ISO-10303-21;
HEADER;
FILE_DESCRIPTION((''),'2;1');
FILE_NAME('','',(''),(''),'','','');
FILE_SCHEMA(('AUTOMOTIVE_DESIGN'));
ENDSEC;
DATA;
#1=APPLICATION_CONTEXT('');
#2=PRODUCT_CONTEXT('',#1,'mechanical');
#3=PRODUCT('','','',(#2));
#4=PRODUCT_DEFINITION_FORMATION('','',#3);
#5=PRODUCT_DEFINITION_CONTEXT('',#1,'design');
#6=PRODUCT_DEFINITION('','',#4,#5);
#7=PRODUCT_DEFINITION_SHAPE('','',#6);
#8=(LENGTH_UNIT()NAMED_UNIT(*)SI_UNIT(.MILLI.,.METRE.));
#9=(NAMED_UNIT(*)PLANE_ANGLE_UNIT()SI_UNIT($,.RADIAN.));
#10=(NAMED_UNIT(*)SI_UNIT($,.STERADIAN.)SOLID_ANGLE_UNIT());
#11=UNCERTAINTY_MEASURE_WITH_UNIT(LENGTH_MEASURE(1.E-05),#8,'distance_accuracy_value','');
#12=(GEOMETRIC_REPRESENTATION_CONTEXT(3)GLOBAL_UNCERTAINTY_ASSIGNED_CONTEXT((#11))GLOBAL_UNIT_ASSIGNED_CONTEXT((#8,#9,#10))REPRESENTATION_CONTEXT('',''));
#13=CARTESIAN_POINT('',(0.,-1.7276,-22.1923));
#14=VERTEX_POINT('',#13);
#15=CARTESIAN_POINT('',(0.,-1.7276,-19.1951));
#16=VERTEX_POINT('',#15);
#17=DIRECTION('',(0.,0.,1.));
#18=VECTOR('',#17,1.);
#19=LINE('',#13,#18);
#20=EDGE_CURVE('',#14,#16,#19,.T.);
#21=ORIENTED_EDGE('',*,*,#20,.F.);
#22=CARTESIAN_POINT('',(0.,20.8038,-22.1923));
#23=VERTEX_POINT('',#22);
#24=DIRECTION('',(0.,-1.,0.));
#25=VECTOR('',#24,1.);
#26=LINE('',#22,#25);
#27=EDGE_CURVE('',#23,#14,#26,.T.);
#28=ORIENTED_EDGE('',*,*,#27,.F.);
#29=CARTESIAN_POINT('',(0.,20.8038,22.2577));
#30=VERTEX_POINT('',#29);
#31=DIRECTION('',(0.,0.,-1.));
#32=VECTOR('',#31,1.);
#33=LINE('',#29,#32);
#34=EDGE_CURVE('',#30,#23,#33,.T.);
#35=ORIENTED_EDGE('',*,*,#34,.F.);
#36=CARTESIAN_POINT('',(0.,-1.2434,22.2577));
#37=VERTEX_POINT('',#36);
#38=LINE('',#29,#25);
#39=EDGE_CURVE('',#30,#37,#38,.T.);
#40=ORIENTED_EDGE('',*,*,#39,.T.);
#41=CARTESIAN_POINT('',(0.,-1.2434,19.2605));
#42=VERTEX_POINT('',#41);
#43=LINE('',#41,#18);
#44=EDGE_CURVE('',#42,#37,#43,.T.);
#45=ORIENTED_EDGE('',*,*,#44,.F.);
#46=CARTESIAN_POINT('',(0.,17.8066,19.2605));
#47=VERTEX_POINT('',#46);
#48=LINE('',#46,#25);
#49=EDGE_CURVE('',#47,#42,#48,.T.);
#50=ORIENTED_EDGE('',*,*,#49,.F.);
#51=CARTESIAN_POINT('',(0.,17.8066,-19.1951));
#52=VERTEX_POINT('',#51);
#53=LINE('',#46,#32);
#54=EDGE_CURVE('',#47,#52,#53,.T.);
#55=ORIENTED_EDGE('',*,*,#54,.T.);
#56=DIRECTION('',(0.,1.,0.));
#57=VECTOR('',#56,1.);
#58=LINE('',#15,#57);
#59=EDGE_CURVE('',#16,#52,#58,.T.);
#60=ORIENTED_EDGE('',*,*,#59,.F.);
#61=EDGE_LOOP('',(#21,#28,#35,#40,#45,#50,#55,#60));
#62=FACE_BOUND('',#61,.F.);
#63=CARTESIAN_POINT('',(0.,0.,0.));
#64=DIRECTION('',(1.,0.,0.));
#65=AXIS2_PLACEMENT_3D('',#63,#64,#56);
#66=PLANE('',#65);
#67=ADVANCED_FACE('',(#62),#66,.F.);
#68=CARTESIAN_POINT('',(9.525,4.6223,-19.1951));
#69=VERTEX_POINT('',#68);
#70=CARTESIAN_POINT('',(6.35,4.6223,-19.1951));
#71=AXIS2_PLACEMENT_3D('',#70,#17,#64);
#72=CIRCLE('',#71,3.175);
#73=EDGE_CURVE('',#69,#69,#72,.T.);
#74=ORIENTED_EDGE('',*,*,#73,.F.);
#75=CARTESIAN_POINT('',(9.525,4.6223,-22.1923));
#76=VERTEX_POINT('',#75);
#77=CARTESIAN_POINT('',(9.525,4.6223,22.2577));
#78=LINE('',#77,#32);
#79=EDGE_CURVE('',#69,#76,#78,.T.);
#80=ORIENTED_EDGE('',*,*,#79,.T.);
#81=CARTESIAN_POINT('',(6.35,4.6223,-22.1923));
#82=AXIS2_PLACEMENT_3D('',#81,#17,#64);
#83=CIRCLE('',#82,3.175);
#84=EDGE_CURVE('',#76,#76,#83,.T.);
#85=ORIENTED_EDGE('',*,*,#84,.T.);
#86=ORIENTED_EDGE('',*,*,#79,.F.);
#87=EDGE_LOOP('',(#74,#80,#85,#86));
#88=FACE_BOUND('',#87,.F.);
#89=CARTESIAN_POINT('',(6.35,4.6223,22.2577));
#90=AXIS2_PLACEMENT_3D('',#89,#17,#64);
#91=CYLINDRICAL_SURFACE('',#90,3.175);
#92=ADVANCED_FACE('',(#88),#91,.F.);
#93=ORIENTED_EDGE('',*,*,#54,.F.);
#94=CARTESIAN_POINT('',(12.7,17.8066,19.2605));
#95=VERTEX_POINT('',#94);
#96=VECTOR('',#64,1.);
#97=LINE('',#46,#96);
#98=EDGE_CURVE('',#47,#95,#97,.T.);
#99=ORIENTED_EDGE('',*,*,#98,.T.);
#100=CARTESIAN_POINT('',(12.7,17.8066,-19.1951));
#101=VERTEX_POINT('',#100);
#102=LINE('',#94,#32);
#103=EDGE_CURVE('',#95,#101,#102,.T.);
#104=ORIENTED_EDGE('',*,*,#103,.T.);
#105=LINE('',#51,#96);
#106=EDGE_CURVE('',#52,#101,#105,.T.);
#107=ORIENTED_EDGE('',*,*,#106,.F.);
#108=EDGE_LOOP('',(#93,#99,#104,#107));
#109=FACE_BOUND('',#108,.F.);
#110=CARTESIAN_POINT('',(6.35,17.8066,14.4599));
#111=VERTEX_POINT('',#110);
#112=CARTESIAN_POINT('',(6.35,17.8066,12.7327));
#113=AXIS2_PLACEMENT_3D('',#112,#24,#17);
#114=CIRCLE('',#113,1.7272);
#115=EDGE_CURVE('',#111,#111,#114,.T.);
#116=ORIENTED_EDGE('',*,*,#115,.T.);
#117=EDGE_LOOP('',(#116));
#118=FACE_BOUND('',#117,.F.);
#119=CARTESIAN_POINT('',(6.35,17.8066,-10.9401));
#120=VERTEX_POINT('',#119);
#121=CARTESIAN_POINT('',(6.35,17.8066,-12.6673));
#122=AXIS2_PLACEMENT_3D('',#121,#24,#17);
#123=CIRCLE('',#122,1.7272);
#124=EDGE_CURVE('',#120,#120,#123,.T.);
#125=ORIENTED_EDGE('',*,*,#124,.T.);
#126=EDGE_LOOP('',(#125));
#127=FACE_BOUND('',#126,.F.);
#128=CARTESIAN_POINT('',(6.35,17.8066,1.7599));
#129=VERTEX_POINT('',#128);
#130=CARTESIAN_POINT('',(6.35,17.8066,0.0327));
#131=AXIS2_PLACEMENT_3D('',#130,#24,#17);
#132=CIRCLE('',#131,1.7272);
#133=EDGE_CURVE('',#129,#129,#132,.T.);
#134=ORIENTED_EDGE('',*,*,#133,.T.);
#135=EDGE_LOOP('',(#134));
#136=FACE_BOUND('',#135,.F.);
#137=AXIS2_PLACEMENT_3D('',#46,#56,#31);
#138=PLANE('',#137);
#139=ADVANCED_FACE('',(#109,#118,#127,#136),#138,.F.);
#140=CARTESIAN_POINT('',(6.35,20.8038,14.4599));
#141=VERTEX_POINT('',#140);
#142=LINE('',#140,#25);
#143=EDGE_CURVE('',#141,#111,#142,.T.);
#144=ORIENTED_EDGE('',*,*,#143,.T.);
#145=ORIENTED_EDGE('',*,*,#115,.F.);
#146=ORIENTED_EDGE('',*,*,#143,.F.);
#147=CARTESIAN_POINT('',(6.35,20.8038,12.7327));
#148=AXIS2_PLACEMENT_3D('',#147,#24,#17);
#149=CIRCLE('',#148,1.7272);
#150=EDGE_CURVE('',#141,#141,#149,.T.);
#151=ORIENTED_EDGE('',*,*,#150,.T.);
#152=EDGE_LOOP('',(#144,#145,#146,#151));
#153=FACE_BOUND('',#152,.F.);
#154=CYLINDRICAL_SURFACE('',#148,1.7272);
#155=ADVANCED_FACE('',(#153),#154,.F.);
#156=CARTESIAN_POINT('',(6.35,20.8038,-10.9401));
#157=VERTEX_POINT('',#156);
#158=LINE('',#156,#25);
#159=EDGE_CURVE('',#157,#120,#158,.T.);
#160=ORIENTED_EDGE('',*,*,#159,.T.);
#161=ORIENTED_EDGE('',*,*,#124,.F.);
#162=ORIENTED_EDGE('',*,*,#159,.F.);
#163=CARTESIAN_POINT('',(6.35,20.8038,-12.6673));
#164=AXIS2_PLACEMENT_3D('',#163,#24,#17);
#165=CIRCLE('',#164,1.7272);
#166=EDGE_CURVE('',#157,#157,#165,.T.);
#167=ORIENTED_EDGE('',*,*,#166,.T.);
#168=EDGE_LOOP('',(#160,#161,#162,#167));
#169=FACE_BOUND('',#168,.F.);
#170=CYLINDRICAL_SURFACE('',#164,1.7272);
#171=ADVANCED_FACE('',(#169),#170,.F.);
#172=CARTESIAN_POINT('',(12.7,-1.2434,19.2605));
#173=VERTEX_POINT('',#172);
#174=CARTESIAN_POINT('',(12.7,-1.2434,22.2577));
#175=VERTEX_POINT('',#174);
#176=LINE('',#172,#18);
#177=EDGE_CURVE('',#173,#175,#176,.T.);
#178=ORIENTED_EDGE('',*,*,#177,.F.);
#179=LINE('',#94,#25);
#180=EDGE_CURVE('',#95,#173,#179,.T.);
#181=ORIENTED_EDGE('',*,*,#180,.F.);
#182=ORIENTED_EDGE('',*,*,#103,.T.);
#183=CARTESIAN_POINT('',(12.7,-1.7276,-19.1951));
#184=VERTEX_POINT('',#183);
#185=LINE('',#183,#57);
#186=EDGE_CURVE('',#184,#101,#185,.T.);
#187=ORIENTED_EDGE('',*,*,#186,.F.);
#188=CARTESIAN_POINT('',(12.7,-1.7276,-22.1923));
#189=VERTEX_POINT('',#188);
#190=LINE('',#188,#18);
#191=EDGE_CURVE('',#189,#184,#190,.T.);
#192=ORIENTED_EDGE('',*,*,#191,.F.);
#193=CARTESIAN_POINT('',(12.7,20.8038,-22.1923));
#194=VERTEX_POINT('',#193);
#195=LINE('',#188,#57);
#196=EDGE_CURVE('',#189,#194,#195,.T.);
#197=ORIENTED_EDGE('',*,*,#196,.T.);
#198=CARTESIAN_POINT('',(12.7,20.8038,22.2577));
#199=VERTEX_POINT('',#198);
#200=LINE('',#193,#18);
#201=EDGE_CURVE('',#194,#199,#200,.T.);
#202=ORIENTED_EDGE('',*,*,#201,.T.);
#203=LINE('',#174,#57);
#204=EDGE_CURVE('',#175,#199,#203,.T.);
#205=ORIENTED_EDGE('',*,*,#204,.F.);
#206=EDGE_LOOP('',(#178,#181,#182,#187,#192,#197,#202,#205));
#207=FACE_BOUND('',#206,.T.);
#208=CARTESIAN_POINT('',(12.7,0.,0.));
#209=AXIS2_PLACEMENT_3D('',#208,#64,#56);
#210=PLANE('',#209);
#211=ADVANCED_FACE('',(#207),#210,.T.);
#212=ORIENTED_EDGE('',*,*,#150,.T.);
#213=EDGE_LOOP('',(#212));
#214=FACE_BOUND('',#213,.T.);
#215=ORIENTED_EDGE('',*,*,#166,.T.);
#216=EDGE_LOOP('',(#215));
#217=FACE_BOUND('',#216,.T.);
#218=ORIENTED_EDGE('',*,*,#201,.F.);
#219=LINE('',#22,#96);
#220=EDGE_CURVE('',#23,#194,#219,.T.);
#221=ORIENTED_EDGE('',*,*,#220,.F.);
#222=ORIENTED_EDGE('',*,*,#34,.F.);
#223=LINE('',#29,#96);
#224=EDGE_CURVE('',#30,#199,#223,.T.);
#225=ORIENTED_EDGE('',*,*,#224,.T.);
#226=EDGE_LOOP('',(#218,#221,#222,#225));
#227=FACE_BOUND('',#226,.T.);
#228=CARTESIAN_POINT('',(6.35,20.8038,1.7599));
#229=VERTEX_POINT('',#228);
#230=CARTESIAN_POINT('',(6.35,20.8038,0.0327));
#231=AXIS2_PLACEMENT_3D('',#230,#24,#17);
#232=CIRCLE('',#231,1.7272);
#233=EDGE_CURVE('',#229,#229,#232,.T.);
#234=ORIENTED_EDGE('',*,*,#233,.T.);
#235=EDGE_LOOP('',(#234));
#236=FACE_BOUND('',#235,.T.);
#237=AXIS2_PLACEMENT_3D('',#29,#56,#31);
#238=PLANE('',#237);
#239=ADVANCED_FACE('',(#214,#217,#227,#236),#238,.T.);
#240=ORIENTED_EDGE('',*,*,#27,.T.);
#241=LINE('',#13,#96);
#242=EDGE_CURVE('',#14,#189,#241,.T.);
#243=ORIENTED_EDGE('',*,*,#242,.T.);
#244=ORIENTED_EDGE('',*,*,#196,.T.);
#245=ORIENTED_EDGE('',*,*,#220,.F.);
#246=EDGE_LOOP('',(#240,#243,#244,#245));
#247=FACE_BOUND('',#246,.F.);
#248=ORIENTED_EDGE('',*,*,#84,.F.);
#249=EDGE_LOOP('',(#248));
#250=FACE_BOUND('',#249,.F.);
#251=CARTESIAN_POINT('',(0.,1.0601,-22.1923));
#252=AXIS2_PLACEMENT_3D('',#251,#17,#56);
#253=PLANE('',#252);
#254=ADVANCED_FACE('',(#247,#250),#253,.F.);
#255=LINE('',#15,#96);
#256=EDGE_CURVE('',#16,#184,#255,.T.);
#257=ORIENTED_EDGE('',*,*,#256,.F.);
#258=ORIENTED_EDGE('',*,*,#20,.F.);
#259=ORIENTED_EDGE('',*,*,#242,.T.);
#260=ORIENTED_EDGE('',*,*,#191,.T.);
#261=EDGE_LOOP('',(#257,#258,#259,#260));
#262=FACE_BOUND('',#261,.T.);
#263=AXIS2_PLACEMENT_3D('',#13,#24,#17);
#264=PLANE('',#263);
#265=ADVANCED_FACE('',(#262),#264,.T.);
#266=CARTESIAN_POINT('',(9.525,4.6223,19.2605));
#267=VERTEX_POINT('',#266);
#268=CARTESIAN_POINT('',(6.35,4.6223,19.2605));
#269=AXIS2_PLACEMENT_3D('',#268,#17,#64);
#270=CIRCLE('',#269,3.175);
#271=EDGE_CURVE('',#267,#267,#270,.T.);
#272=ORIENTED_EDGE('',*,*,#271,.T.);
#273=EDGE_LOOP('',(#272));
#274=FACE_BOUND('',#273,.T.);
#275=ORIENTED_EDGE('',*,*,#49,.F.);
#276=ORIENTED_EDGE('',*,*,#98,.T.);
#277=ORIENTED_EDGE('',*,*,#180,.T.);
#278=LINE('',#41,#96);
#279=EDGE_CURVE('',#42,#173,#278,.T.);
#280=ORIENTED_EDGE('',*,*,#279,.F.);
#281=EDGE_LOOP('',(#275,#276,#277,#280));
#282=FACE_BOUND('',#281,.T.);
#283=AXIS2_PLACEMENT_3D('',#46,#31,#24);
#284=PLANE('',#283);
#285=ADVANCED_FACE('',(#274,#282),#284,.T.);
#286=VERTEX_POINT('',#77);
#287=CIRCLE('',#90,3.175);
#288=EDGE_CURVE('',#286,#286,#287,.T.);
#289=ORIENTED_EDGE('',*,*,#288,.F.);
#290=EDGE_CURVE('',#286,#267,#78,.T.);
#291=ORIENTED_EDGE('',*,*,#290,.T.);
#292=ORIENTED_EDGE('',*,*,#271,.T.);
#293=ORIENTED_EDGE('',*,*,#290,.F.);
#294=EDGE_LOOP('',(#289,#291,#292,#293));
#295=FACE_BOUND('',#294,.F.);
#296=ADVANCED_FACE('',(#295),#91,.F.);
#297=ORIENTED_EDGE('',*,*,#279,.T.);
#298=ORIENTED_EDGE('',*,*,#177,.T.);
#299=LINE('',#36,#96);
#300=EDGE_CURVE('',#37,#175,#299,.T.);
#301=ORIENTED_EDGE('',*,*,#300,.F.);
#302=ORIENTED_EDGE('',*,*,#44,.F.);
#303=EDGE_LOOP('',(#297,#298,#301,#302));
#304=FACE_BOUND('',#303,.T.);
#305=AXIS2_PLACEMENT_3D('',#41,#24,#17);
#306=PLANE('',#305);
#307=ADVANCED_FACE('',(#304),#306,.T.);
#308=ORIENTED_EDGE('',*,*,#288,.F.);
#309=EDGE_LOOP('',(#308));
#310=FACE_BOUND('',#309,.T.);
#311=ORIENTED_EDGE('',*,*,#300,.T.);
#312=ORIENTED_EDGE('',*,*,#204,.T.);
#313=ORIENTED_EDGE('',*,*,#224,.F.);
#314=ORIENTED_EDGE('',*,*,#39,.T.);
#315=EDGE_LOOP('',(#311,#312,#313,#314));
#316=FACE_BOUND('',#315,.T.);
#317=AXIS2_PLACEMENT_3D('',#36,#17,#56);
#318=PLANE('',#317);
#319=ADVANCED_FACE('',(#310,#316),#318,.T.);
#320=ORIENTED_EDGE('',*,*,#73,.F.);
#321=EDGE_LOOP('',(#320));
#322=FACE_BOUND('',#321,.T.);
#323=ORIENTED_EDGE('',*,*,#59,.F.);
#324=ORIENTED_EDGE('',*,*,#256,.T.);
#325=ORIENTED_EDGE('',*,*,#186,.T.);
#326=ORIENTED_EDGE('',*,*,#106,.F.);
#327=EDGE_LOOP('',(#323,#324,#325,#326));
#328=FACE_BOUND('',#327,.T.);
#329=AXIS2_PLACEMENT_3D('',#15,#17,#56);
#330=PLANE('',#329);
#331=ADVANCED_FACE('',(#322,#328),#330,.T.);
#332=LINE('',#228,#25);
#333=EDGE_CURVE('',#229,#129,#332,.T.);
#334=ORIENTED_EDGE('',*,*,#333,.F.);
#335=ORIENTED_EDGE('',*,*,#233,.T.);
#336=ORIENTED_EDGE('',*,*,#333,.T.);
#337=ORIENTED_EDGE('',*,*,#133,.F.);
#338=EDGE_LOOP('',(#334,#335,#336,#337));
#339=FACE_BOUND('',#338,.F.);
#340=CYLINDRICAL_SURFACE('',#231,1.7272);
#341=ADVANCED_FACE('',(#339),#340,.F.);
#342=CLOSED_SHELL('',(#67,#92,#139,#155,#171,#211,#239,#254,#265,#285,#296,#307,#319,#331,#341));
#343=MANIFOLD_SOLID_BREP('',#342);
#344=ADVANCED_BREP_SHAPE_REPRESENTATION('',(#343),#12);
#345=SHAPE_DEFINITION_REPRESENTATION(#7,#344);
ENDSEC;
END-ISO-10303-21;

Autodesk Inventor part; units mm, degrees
ref_plane "YZ Plane" through (0, 0, 0) normal (1, 0, 0) x (0, 1, 0)
ref_plane "XZ Plane" through (0, 0, 0) normal (0, 1, 0) x (-1, 0, 0)
sketch "Sketch1" plane through (0, 0, 0) normal (1, 0, 0) x (0, 1, 0)
  line L0 (-1.2434, 22.2577) -> (20.8038, 22.2577)
  line L1 (20.8038, 22.2577) -> (20.8038, -15.9039)
  line L2 (17.8066, 19.2605) -> (-1.2434, 19.2605)
  line L3 (-1.2434, 19.2605) -> (-1.2434, 22.2577)
  line L4 (20.8038, 22.2577) -> (1.0601, 22.2577)
  line L5 (17.8066, 19.2605) -> (17.8066, -19.1951)
  line L6 (1.0601, -22.1923) -> (20.8038, -22.1923)
  line L7 (20.8038, -22.1923) -> (20.8038, 22.2577)
  line L8 (20.8038, -22.1923) -> (-1.7276, -22.1923)
  line L9 (-1.7276, -22.1923) -> (-1.7276, -19.1951)
  line L10 (-1.7276, -19.1951) -> (17.8066, -19.1951)
  line L11 (20.8038, -19.8757) -> (20.8038, -22.1923)
  point P0 (0, 0)
  dimension "d0" = 2.9972
  dimension "d1" = 19.05
  dimension "d2" = 44.45
  dimension "d3" = 2.9972
extrude "Extrusion1" add sketch "Sketch1" along normal blind 12.7
sketch "Sketch2" plane through (0, -1.2434, 22.2577) normal (0, 0, 1) x (1, 0, 0)
  circle A0 centre (6.35, 5.8657) radius 3.175
  line L0 (0, -0.4843) -> (12.7, -0.4843) projected
  line L1 (12.7, 22.0472) -> (12.7, 0) projected
  point P0 (0, 1.2434)
  dimension "d6" = 6.35
  dimension "d7" = 6.35
  dimension "d8" = 6.35
extrude "Extrusion2" cut sketch "Sketch2" against normal through all
sketch "Sketch3" plane through (0, 20.8038, 22.2577) normal (0, 1, 0) x (1, 0, 0)
  line L0 (9.525, 0) -> (3.175, 0) projected
  line L1 (6.35, 0) -> (6.35, 44.45) construction
  line L2 (0, 44.45) -> (12.7, 44.45) projected
  circle A0 centre (6.35, 9.525) radius 1.7272
  circle A1 centre (6.35, 22.225) radius 1.7272
  circle A2 centre (6.35, 34.925) radius 1.7272
  point P0 (0, 22.2577)
  dimension "d11" = 3.4544
  dimension "d12" = 12.7
  dimension "d13" = 12.7
hole "Hole1" at (6.35, 20.8038, -12.6673) at (6.35, 20.8038, 0.0327) at (6.35, 20.8038, 12.7327) direction (0, -1, 0) diameter 3.4544 end through all
properties part number "Papa John Bolt Plate" material "Polycarbonate, Clear"
